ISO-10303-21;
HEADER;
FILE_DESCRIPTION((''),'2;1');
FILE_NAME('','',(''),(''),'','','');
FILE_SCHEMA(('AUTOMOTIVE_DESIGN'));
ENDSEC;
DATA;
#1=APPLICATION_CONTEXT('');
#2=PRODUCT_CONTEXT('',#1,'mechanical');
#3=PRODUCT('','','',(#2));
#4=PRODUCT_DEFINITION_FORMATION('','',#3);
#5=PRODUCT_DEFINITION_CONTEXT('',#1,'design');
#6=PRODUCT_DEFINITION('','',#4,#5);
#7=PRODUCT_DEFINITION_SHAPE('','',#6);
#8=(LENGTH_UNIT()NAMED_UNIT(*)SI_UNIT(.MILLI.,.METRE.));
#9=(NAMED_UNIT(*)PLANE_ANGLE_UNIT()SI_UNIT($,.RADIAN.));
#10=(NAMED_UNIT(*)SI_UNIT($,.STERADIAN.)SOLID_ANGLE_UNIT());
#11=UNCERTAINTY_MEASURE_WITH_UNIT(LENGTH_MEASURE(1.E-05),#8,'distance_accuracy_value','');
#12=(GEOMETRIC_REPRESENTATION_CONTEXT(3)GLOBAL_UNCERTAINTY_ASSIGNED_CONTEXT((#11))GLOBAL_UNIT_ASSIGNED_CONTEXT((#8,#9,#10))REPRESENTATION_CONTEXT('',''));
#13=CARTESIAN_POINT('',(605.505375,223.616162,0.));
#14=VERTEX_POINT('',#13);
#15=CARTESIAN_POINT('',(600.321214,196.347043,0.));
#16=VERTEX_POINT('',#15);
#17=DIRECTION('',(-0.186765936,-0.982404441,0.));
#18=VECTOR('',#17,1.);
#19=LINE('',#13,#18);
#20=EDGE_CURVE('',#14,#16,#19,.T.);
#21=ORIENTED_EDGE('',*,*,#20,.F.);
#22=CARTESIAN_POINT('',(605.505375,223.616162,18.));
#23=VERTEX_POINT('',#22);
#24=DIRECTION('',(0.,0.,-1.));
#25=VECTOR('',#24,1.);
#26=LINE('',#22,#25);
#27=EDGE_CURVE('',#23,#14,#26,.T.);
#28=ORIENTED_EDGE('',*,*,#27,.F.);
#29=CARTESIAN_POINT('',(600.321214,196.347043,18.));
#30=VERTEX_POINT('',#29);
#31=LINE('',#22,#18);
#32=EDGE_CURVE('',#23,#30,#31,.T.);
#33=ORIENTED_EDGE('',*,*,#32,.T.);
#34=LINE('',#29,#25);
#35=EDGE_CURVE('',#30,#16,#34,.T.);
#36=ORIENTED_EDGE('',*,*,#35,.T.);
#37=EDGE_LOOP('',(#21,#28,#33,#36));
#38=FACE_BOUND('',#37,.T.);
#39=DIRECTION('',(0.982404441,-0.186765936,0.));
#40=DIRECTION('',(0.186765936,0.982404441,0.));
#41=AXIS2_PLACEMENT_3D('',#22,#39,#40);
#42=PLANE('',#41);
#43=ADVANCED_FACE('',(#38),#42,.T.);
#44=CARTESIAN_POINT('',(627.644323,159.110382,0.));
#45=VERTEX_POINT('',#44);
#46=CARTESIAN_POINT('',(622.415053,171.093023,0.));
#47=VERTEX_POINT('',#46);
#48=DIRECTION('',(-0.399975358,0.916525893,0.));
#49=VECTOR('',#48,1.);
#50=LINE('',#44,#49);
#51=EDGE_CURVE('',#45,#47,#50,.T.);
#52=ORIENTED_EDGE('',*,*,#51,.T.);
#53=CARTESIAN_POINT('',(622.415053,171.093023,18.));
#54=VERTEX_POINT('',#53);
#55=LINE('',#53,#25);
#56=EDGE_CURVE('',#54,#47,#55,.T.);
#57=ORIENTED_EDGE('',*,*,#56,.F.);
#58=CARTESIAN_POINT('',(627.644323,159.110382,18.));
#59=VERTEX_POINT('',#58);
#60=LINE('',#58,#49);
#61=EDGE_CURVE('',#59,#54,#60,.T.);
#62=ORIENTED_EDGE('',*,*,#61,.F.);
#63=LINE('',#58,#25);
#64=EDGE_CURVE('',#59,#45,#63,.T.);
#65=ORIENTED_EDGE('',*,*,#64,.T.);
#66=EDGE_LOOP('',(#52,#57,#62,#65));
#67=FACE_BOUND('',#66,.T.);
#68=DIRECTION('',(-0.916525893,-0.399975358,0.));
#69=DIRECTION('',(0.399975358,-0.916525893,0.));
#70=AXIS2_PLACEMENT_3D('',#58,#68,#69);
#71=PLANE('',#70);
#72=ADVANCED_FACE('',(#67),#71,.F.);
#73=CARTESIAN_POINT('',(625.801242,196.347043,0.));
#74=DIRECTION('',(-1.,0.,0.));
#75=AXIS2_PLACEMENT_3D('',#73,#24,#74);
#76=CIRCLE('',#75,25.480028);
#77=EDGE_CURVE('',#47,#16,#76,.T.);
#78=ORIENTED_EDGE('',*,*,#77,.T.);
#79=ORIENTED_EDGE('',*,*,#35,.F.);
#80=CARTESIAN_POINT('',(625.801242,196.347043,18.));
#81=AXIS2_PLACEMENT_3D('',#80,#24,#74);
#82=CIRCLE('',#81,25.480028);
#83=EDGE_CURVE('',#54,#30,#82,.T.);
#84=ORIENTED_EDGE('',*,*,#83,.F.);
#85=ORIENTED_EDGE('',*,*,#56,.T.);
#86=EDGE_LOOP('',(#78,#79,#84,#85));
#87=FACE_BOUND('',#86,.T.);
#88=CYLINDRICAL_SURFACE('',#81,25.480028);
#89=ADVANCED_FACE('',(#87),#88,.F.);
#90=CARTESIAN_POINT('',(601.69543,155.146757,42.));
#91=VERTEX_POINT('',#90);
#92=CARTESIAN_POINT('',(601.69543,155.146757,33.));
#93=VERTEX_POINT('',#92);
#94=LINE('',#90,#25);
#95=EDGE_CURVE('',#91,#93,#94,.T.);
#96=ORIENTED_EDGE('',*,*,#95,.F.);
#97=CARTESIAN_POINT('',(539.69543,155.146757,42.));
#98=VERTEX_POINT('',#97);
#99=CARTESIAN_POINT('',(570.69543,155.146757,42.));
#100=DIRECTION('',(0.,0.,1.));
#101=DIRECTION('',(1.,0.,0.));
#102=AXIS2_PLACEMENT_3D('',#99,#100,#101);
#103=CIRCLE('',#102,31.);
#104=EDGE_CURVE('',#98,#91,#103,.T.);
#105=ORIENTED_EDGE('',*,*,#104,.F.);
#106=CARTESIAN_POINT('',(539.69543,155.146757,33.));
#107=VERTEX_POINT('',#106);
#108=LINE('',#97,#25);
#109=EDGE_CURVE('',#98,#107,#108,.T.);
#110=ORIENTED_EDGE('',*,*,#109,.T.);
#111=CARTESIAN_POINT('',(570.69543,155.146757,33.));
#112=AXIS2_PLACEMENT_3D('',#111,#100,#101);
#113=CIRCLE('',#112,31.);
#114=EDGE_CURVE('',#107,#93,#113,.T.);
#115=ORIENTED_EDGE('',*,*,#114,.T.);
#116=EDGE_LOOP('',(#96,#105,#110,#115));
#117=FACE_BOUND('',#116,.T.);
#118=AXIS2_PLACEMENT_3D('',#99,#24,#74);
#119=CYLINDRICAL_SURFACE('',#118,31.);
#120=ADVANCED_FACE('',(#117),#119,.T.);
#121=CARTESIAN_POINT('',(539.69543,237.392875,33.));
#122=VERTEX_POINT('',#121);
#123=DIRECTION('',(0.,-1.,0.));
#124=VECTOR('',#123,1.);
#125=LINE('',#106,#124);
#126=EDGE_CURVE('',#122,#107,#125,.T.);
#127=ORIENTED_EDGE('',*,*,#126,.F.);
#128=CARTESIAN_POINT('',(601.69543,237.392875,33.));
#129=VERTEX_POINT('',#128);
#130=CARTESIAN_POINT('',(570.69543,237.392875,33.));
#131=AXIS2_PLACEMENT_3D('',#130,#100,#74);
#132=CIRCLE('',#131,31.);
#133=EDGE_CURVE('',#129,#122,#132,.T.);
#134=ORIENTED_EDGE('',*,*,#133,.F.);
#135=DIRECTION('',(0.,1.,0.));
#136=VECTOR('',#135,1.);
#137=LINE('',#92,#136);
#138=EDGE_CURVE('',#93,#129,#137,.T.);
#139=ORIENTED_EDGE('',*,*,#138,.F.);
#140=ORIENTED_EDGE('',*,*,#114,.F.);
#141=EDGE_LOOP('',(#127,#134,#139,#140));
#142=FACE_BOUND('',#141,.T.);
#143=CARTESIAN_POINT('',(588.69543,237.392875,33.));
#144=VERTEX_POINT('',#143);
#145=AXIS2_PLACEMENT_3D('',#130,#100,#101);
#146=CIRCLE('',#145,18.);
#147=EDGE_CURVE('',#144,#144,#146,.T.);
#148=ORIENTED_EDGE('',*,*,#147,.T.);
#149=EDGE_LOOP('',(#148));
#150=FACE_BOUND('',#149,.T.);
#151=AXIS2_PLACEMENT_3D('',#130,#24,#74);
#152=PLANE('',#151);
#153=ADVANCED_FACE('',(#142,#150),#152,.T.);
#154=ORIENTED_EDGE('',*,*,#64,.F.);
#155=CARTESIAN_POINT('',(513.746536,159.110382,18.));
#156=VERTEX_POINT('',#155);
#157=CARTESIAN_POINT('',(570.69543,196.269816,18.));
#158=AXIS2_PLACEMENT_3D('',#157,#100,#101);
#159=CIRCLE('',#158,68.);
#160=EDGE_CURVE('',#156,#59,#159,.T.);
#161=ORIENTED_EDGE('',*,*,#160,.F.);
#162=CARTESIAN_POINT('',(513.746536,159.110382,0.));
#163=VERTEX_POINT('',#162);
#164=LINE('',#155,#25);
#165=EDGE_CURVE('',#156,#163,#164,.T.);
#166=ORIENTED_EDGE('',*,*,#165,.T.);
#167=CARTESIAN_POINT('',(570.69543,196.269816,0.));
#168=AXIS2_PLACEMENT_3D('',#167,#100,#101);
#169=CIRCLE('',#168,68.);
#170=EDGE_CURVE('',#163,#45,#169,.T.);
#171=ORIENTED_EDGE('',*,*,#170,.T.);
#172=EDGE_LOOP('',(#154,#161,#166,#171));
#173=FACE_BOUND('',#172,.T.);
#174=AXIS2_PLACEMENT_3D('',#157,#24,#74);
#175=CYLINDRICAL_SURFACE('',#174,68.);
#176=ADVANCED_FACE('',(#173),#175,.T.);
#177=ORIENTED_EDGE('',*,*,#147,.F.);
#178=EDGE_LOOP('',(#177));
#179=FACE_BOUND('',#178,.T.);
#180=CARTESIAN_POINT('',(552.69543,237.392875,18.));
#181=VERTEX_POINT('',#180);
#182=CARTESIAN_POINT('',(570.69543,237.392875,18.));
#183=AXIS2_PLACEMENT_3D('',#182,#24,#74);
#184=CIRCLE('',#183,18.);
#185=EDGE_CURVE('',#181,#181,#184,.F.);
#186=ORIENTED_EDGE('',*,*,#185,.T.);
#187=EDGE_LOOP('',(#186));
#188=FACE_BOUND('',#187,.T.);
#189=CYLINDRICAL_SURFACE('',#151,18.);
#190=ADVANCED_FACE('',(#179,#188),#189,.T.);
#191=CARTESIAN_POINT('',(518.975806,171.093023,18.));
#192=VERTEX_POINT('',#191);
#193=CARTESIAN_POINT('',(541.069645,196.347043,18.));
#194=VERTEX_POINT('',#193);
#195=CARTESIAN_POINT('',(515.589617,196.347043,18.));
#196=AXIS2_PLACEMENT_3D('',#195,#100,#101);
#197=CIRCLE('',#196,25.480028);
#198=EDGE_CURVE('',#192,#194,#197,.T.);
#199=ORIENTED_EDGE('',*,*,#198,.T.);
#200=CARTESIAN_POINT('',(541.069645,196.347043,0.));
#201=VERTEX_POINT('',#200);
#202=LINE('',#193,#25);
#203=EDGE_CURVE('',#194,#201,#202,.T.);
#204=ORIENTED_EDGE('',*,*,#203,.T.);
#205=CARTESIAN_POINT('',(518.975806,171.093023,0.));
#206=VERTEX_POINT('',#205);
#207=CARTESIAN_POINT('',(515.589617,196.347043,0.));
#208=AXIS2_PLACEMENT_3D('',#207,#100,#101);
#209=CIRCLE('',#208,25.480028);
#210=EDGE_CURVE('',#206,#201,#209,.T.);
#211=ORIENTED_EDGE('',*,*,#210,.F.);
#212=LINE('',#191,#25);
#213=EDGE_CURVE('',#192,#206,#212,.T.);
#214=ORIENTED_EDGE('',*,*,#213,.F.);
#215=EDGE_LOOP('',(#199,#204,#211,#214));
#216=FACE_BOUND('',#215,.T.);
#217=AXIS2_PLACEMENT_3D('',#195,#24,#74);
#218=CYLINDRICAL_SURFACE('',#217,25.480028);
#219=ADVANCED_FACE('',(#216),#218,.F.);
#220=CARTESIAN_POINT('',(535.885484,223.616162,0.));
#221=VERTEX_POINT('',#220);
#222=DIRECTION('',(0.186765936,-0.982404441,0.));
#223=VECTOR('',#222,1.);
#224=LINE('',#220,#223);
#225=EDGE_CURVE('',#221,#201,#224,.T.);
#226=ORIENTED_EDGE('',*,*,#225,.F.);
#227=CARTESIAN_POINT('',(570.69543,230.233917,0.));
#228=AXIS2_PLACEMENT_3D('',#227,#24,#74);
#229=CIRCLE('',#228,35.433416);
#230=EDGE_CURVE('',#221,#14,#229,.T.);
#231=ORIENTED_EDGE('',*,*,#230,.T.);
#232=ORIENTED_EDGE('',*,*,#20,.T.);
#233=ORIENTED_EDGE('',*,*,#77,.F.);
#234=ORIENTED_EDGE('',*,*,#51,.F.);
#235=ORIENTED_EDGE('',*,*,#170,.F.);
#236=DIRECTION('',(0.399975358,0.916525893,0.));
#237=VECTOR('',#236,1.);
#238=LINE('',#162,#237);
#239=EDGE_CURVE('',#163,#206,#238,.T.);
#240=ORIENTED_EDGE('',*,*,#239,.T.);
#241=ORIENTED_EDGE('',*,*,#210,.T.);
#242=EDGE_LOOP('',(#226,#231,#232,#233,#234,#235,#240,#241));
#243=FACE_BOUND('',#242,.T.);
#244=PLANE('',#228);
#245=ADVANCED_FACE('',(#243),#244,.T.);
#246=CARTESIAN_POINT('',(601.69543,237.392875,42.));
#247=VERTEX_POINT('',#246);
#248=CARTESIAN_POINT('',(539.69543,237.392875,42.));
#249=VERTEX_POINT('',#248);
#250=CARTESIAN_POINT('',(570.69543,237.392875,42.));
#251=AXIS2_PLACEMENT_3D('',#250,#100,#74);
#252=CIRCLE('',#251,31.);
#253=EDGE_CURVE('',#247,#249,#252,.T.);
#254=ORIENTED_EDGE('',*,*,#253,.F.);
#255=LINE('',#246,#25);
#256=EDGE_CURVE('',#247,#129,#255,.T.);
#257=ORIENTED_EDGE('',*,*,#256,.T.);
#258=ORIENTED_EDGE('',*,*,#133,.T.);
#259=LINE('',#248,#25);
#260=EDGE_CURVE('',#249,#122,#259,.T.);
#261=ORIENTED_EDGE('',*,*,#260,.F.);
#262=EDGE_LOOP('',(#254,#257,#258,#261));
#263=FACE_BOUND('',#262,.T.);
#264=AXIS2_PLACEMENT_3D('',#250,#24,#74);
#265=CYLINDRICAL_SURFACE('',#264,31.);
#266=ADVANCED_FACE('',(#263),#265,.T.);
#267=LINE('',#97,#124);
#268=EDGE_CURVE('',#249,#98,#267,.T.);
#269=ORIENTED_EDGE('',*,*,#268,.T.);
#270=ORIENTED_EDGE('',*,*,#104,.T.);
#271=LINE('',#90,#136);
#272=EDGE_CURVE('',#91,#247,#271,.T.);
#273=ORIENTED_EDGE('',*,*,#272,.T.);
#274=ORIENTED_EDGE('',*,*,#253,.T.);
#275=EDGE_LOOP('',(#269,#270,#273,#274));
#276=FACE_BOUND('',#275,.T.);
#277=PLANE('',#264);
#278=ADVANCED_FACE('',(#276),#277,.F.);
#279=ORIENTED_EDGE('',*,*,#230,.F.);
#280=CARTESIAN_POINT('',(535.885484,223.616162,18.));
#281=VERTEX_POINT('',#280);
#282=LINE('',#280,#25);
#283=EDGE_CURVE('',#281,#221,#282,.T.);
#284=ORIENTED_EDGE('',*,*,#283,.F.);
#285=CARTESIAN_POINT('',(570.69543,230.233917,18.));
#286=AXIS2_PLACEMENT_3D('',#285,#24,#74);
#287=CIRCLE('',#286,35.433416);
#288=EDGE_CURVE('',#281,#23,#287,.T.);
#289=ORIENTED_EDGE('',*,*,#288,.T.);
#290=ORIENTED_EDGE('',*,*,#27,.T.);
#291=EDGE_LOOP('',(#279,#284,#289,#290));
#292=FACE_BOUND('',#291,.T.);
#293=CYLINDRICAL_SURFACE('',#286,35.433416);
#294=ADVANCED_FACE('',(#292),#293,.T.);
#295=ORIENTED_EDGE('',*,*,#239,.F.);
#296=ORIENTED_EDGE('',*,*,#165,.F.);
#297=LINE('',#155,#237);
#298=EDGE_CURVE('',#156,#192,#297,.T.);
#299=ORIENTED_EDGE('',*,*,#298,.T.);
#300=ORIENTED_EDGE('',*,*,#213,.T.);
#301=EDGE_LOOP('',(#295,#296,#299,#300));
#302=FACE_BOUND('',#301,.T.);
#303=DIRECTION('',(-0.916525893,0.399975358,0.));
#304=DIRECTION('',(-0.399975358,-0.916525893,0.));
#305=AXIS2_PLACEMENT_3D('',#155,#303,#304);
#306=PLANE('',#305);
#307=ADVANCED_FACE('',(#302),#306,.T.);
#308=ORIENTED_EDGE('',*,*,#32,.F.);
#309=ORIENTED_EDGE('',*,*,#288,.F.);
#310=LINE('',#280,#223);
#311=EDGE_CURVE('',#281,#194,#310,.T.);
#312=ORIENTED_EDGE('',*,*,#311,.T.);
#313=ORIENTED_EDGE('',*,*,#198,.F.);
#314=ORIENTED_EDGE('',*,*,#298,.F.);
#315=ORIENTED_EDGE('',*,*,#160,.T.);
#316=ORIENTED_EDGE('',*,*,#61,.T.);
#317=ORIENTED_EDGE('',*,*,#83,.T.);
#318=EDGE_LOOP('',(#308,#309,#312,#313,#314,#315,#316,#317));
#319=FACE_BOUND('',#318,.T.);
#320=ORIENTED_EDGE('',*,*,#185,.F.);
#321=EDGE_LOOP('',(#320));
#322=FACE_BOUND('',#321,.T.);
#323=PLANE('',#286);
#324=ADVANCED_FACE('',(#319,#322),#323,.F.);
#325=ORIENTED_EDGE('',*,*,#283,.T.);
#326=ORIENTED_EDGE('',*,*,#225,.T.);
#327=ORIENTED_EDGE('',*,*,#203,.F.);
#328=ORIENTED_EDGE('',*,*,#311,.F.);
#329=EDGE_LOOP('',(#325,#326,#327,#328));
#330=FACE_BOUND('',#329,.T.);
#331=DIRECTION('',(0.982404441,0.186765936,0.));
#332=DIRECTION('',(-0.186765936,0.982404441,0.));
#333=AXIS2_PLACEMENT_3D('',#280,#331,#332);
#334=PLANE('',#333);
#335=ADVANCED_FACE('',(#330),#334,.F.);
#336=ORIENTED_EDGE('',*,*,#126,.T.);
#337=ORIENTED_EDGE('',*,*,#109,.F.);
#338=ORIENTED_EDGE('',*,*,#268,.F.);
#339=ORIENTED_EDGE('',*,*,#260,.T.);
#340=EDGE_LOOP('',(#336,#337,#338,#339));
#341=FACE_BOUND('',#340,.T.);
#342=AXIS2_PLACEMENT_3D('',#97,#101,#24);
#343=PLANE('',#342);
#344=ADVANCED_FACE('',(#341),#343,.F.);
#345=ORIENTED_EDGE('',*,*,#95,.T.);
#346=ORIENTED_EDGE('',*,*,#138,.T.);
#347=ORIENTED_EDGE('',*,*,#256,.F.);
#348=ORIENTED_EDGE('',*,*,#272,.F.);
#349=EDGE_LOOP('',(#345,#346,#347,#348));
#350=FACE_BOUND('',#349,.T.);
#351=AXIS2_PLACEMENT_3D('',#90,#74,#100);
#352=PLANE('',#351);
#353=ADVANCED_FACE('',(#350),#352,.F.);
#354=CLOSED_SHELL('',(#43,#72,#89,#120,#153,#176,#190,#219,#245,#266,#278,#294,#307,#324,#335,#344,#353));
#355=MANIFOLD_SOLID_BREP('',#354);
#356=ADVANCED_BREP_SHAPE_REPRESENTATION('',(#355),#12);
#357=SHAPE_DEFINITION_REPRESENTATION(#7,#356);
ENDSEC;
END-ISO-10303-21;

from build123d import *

# Parameters (mm, degrees)
EXTRUDE_1_DEPTH = 18
SKETCH_2_R      = 18
EXTRUDE_2_DEPTH = 15
EXTRUDE_3_DEPTH = 9


with BuildPart() as part:
    # Эскиз1 → Бобышка-Вытянуть1 (new body)
    with BuildSketch(Plane.XY):
        with BuildLine():
            Line((513.746536265, 159.110381716), (518.975806012, 171.093022728))
            ThreePointArc((518.975806012, 171.093022728), (534.766582533, 179.569802198), (541.069644925, 196.347043265))
            Line((541.069644925, 196.347043265), (535.885484235, 223.616162023))
            ThreePointArc((535.885484235, 223.616162023), (570.695429585, 265.667333265), (605.505374934, 223.616162023))
            Line((605.505374934, 223.616162023), (600.321214244, 196.347043265))
            ThreePointArc((600.321214244, 196.347043265), (606.624276637, 179.569802198), (622.415053158, 171.093022728))
            Line((622.415053158, 171.093022728), (627.644322904, 159.110381716))
            ThreePointArc((627.644322904, 159.110381716), (570.695429585, 128.269815911), (513.746536265, 159.110381716))
        make_face()
    extrude(amount=EXTRUDE_1_DEPTH)


with BuildPart() as body_2:
    # Эскиз2 → Бобышка-Вытянуть2 (new body)
    with BuildSketch(Plane.XY.offset(18)):
        with Locations((570.695429585, 237.392875312)):
            Circle(SKETCH_2_R)
    extrude(amount=EXTRUDE_2_DEPTH)


with BuildPart() as body_3:
    # Эскиз4 → Бобышка-Вытянуть3 (new body)
    with BuildSketch(Plane.XY.offset(33)):
        with BuildLine():
            Line((539.695429585, 155.14675651), (539.695429585, 237.392875312))
            ThreePointArc((539.695429585, 237.392875312), (570.695429585, 268.392875312), (601.695429585, 237.392875312))
            Line((601.695429585, 237.392875312), (601.695429585, 155.14675651))
            ThreePointArc((601.695429585, 155.14675651), (570.695429585, 124.14675651), (539.695429585, 155.14675651))
        make_face()
    extrude(amount=EXTRUDE_3_DEPTH)

    # Combine 3: union part, body 2
    add(part.part)
    add(body_2.part)


solid = body_3.part
